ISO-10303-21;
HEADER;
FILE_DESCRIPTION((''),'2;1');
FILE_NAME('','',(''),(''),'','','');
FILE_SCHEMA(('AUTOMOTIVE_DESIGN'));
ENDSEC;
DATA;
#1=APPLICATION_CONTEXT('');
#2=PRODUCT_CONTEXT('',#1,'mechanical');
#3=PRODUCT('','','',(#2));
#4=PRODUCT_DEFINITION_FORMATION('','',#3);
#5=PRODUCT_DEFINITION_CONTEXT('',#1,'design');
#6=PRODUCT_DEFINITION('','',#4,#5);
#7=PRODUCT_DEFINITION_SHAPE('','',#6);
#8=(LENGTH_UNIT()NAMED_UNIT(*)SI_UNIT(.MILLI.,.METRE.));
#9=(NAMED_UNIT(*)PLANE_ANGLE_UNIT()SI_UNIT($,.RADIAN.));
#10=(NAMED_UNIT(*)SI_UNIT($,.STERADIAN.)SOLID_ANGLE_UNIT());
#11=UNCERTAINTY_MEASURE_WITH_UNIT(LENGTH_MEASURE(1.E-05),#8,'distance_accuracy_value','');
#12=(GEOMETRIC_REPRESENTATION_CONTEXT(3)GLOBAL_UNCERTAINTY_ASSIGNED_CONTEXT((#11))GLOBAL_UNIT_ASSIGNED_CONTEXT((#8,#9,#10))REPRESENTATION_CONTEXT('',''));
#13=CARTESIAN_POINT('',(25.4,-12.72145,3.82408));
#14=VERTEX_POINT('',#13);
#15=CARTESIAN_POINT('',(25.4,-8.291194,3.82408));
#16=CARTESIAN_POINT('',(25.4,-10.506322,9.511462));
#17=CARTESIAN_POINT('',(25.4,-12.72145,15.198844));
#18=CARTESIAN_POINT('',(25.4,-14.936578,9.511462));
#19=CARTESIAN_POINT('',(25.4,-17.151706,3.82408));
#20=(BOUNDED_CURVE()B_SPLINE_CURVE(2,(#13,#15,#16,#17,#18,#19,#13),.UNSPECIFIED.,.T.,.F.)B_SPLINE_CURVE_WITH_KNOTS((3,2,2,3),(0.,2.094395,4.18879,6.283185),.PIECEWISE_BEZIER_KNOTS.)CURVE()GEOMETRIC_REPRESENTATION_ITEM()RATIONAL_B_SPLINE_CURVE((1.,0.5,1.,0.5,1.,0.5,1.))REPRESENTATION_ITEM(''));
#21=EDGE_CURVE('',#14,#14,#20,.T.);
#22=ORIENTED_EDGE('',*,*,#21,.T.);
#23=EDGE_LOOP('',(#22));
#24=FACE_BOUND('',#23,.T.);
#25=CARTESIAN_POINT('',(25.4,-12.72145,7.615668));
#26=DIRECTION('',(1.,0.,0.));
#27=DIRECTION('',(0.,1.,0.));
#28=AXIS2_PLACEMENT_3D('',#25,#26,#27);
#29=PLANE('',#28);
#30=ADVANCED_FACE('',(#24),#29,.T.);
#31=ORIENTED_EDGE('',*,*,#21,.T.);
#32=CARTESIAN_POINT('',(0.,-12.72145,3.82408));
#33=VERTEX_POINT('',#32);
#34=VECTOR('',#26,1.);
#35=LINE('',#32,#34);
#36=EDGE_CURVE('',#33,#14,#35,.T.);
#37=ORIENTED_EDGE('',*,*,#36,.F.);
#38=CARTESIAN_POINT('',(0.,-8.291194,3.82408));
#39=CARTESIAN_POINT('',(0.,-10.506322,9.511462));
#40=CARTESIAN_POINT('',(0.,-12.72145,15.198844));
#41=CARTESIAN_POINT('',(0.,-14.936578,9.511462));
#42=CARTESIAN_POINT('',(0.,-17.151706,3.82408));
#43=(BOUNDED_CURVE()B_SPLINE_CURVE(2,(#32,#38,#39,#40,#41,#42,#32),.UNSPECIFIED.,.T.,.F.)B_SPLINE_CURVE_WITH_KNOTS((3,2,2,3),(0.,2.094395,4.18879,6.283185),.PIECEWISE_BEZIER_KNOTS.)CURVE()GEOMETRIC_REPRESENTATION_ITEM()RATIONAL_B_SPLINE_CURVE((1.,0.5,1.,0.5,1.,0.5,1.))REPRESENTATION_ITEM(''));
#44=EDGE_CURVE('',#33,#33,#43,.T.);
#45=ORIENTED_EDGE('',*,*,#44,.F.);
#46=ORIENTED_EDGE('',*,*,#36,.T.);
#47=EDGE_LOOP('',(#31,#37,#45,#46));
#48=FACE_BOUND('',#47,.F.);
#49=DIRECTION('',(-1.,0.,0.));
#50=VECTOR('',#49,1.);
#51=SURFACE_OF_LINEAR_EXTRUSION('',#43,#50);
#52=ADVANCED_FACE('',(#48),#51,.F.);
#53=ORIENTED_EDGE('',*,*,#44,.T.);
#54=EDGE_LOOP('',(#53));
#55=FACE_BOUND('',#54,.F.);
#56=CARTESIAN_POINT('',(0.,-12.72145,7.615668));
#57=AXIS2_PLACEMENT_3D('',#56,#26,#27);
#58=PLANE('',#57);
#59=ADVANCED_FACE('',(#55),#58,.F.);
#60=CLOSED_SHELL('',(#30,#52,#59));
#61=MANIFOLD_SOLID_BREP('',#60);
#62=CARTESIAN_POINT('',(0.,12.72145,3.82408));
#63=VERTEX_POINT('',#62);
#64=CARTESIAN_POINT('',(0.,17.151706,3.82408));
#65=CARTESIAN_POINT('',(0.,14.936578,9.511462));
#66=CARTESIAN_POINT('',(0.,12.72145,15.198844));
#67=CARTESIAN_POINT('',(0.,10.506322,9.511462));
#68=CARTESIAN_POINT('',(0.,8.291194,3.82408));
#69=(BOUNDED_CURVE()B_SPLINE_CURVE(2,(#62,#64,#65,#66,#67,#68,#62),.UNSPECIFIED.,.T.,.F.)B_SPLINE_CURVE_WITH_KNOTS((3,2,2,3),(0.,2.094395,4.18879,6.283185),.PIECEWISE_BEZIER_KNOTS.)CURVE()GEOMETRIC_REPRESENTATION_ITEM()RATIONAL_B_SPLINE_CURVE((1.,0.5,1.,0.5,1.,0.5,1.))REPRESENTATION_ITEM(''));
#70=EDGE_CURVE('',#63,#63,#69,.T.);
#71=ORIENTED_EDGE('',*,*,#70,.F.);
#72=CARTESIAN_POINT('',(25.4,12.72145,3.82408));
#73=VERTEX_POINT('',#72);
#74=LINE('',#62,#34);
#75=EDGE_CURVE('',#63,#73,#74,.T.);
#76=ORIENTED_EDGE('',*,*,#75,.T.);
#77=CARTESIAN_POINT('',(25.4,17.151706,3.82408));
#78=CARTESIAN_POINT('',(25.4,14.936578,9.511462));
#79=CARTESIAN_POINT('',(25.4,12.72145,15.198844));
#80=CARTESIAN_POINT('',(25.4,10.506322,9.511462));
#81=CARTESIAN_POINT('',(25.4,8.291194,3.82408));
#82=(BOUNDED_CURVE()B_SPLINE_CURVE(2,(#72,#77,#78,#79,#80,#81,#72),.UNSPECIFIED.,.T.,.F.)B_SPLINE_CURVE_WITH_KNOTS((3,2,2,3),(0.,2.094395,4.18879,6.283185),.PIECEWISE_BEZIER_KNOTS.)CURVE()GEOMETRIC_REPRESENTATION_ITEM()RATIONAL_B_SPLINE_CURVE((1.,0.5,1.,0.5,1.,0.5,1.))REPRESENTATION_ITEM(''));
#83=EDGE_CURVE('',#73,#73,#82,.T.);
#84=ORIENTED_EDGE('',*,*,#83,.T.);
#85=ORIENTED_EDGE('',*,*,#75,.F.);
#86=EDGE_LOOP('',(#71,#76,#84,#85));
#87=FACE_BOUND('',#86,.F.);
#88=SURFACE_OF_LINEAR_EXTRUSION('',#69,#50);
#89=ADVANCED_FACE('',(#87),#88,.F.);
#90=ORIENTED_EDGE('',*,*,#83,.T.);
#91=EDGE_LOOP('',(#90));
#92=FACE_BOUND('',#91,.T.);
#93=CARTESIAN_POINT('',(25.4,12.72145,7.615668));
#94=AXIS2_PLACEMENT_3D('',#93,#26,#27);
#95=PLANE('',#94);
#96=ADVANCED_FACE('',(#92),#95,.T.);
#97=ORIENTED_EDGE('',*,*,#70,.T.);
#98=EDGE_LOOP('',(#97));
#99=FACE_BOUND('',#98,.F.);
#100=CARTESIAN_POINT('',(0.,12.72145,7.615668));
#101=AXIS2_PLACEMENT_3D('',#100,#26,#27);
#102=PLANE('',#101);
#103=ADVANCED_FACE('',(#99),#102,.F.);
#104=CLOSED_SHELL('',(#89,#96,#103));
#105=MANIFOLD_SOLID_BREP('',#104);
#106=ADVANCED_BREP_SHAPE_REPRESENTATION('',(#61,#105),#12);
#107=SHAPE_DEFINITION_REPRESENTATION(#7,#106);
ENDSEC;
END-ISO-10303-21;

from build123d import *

# Parameters (mm, degrees)
F1_DEPTH = 25.4


with BuildPart() as f1:
    # F0 (on Right) → F1 (new body)
    with BuildSketch(Plane.YZ):
        with BuildLine():
            add(Edge.make_bspline(
                [(-12.72145, 3.82408), (-8.291194, 3.82408), (-10.506322, 9.511462), (-12.72145, 15.198844), (-14.936578, 9.511462), (-17.151706, 3.82408), (-12.72145, 3.82408)],
                knots=[0, 0, 0, 2.094395, 2.094395, 4.18879, 4.18879, 6.283185, 6.283185, 6.283185], degree=2, weights=[1, 0.5, 1, 0.5, 1, 0.5, 1]))
        make_face()
        with BuildLine():
            add(Edge.make_bspline(
                [(12.72145, 3.82408), (17.151706, 3.82408), (14.936578, 9.511462), (12.72145, 15.198844), (10.506322, 9.511462), (8.291194, 3.82408), (12.72145, 3.82408)],
                knots=[0, 0, 0, 2.094395, 2.094395, 4.18879, 4.18879, 6.283185, 6.283185, 6.283185], degree=2, weights=[1, 0.5, 1, 0.5, 1, 0.5, 1]))
        make_face()
    extrude(amount=F1_DEPTH)


solid = f1.part
